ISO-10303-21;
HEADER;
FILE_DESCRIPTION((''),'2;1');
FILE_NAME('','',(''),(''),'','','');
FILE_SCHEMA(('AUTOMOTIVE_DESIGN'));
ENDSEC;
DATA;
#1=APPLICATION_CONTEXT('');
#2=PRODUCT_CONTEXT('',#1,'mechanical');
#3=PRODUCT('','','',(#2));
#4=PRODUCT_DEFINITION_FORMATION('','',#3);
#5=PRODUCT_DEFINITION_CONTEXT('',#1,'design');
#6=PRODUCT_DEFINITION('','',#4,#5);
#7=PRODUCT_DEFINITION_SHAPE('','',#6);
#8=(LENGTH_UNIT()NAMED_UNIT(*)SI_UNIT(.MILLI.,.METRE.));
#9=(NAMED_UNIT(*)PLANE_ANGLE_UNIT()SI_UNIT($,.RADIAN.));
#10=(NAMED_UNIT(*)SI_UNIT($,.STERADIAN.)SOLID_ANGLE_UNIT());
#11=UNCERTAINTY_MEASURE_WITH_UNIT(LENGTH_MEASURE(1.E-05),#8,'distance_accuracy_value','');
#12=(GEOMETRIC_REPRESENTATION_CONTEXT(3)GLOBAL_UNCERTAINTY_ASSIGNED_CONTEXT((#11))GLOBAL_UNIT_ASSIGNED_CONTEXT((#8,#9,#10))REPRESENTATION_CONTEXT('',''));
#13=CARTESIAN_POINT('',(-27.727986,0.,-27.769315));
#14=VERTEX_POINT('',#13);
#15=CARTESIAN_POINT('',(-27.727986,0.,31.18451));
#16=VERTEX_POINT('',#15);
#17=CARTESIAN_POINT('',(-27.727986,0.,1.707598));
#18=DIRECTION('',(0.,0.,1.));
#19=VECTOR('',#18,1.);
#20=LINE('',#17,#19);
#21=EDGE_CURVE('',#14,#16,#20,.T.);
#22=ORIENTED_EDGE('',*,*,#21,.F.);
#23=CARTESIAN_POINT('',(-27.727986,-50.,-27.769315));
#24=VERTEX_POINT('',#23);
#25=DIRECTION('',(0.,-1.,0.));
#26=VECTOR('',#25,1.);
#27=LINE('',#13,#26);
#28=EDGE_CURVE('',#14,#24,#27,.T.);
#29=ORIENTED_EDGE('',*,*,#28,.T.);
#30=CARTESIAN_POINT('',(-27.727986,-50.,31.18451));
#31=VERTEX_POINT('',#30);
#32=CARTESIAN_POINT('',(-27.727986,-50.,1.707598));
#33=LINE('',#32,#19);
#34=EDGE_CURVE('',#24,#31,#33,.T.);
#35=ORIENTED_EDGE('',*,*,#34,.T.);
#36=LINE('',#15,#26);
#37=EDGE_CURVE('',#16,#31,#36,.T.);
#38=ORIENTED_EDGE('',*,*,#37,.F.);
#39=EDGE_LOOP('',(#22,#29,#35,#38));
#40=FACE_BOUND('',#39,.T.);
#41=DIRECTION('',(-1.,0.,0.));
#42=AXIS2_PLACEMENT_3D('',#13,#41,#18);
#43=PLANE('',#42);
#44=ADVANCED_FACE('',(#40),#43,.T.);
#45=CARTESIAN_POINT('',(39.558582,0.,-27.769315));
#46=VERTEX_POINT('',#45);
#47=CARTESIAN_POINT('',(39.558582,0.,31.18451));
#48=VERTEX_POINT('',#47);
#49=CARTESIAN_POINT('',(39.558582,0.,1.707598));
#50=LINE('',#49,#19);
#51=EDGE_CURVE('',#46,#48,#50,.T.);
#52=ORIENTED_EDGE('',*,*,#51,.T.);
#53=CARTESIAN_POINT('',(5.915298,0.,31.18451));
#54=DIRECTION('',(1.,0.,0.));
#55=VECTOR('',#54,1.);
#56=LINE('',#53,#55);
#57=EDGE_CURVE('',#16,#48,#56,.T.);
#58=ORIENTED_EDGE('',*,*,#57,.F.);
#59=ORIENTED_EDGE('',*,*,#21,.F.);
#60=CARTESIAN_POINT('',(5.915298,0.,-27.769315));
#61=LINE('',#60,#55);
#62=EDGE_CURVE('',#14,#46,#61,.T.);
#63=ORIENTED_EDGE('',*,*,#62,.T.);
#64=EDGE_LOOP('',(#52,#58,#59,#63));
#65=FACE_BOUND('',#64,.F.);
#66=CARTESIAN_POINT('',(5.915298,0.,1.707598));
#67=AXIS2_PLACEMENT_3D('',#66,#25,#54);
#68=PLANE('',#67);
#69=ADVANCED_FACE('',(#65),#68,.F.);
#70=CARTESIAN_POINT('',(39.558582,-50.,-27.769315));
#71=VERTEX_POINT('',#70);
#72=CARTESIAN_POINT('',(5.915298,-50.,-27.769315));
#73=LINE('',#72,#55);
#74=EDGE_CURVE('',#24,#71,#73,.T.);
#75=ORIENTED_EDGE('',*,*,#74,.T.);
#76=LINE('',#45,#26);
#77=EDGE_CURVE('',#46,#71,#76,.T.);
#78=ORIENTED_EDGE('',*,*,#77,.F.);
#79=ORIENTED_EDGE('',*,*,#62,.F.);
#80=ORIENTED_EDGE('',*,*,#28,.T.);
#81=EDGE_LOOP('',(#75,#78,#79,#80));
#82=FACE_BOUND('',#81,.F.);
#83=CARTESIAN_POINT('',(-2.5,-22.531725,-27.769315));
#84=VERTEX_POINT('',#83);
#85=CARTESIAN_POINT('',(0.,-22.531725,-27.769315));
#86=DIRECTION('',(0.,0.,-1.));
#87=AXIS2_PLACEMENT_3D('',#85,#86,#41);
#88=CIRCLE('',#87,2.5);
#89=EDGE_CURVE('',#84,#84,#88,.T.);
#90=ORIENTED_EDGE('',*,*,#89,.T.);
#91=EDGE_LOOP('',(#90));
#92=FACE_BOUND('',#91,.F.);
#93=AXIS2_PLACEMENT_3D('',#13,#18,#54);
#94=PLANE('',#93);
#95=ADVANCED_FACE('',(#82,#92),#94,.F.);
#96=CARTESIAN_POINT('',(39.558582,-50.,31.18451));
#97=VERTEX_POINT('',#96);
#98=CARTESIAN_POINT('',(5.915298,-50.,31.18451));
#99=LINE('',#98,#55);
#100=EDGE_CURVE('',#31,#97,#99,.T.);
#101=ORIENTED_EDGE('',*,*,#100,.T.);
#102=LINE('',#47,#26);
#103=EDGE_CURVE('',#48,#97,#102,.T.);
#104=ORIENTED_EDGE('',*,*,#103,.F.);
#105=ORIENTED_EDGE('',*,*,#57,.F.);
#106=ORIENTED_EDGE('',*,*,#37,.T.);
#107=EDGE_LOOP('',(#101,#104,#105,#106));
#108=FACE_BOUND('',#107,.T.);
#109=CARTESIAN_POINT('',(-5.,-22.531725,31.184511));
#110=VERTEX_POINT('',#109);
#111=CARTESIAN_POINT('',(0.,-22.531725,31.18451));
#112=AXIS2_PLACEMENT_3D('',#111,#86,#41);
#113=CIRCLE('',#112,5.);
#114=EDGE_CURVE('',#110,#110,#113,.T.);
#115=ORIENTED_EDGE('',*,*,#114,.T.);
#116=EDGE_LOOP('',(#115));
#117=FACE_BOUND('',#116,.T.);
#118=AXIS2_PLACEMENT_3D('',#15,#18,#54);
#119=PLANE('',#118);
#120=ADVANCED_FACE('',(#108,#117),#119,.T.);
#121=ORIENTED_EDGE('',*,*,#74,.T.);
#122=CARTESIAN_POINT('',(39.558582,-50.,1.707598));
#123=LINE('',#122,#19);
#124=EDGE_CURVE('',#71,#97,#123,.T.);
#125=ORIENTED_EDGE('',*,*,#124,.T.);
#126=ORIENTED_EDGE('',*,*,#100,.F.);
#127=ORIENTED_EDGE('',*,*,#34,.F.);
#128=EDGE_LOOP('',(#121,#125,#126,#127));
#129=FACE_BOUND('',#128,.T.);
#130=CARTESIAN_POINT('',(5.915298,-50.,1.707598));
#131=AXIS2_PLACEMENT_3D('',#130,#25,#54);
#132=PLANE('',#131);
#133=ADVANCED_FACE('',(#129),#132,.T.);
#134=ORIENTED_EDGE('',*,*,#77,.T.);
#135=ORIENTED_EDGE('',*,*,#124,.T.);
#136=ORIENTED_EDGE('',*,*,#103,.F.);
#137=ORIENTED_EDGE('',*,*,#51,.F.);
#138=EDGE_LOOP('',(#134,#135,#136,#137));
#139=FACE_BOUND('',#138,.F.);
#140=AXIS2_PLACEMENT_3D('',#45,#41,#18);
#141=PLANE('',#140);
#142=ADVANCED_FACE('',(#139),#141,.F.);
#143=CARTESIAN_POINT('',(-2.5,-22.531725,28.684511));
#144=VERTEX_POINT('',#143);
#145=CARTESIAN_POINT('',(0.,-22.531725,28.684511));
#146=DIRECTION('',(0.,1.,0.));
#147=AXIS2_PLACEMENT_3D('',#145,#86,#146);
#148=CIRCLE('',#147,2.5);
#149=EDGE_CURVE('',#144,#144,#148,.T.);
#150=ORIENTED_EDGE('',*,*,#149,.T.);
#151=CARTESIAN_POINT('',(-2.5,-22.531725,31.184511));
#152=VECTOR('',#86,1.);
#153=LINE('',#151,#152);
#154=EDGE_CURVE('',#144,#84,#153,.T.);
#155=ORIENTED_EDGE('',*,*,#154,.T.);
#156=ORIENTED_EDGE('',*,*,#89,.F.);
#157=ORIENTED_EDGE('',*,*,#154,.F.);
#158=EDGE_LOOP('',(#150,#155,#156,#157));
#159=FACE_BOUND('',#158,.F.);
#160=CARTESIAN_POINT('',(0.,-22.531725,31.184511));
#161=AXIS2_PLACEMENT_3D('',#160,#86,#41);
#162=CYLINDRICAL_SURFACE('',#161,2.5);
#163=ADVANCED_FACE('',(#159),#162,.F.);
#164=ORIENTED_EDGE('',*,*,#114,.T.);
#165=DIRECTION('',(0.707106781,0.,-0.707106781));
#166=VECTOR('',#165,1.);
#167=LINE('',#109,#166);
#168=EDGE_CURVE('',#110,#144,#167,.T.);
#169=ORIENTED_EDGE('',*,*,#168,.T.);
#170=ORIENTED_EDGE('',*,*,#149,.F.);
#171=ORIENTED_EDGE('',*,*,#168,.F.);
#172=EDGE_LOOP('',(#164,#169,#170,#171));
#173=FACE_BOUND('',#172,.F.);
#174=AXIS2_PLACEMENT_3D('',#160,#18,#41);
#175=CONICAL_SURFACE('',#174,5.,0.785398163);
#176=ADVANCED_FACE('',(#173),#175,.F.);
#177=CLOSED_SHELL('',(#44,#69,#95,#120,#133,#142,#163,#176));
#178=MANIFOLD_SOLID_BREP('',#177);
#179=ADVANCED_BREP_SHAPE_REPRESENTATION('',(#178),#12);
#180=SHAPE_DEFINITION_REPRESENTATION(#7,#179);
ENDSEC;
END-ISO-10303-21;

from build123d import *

# Parameters (mm, degrees)
F0_W           = 67.286568
F0_H           = 58.953825
F1_DEPTH       = 50
F3_D           = 5
F3_CSINK_D     = 10
F3_CSINK_ANGLE = 90


with BuildPart() as f1:
    # F0 (on Front) → F1 (new body)
    with BuildSketch(Plane.XZ):
        with Locations((5.915298, 1.707598)):
            Rectangle(F0_W, F0_H)
    extrude(amount=F1_DEPTH)

    # F3 (through all)
    with Locations(Plane.XY.offset(31.184511)):
        with Locations((0, -22.531725)):
            CounterSinkHole(F3_D / 2, F3_CSINK_D / 2, counter_sink_angle=F3_CSINK_ANGLE)


solid = f1.part
